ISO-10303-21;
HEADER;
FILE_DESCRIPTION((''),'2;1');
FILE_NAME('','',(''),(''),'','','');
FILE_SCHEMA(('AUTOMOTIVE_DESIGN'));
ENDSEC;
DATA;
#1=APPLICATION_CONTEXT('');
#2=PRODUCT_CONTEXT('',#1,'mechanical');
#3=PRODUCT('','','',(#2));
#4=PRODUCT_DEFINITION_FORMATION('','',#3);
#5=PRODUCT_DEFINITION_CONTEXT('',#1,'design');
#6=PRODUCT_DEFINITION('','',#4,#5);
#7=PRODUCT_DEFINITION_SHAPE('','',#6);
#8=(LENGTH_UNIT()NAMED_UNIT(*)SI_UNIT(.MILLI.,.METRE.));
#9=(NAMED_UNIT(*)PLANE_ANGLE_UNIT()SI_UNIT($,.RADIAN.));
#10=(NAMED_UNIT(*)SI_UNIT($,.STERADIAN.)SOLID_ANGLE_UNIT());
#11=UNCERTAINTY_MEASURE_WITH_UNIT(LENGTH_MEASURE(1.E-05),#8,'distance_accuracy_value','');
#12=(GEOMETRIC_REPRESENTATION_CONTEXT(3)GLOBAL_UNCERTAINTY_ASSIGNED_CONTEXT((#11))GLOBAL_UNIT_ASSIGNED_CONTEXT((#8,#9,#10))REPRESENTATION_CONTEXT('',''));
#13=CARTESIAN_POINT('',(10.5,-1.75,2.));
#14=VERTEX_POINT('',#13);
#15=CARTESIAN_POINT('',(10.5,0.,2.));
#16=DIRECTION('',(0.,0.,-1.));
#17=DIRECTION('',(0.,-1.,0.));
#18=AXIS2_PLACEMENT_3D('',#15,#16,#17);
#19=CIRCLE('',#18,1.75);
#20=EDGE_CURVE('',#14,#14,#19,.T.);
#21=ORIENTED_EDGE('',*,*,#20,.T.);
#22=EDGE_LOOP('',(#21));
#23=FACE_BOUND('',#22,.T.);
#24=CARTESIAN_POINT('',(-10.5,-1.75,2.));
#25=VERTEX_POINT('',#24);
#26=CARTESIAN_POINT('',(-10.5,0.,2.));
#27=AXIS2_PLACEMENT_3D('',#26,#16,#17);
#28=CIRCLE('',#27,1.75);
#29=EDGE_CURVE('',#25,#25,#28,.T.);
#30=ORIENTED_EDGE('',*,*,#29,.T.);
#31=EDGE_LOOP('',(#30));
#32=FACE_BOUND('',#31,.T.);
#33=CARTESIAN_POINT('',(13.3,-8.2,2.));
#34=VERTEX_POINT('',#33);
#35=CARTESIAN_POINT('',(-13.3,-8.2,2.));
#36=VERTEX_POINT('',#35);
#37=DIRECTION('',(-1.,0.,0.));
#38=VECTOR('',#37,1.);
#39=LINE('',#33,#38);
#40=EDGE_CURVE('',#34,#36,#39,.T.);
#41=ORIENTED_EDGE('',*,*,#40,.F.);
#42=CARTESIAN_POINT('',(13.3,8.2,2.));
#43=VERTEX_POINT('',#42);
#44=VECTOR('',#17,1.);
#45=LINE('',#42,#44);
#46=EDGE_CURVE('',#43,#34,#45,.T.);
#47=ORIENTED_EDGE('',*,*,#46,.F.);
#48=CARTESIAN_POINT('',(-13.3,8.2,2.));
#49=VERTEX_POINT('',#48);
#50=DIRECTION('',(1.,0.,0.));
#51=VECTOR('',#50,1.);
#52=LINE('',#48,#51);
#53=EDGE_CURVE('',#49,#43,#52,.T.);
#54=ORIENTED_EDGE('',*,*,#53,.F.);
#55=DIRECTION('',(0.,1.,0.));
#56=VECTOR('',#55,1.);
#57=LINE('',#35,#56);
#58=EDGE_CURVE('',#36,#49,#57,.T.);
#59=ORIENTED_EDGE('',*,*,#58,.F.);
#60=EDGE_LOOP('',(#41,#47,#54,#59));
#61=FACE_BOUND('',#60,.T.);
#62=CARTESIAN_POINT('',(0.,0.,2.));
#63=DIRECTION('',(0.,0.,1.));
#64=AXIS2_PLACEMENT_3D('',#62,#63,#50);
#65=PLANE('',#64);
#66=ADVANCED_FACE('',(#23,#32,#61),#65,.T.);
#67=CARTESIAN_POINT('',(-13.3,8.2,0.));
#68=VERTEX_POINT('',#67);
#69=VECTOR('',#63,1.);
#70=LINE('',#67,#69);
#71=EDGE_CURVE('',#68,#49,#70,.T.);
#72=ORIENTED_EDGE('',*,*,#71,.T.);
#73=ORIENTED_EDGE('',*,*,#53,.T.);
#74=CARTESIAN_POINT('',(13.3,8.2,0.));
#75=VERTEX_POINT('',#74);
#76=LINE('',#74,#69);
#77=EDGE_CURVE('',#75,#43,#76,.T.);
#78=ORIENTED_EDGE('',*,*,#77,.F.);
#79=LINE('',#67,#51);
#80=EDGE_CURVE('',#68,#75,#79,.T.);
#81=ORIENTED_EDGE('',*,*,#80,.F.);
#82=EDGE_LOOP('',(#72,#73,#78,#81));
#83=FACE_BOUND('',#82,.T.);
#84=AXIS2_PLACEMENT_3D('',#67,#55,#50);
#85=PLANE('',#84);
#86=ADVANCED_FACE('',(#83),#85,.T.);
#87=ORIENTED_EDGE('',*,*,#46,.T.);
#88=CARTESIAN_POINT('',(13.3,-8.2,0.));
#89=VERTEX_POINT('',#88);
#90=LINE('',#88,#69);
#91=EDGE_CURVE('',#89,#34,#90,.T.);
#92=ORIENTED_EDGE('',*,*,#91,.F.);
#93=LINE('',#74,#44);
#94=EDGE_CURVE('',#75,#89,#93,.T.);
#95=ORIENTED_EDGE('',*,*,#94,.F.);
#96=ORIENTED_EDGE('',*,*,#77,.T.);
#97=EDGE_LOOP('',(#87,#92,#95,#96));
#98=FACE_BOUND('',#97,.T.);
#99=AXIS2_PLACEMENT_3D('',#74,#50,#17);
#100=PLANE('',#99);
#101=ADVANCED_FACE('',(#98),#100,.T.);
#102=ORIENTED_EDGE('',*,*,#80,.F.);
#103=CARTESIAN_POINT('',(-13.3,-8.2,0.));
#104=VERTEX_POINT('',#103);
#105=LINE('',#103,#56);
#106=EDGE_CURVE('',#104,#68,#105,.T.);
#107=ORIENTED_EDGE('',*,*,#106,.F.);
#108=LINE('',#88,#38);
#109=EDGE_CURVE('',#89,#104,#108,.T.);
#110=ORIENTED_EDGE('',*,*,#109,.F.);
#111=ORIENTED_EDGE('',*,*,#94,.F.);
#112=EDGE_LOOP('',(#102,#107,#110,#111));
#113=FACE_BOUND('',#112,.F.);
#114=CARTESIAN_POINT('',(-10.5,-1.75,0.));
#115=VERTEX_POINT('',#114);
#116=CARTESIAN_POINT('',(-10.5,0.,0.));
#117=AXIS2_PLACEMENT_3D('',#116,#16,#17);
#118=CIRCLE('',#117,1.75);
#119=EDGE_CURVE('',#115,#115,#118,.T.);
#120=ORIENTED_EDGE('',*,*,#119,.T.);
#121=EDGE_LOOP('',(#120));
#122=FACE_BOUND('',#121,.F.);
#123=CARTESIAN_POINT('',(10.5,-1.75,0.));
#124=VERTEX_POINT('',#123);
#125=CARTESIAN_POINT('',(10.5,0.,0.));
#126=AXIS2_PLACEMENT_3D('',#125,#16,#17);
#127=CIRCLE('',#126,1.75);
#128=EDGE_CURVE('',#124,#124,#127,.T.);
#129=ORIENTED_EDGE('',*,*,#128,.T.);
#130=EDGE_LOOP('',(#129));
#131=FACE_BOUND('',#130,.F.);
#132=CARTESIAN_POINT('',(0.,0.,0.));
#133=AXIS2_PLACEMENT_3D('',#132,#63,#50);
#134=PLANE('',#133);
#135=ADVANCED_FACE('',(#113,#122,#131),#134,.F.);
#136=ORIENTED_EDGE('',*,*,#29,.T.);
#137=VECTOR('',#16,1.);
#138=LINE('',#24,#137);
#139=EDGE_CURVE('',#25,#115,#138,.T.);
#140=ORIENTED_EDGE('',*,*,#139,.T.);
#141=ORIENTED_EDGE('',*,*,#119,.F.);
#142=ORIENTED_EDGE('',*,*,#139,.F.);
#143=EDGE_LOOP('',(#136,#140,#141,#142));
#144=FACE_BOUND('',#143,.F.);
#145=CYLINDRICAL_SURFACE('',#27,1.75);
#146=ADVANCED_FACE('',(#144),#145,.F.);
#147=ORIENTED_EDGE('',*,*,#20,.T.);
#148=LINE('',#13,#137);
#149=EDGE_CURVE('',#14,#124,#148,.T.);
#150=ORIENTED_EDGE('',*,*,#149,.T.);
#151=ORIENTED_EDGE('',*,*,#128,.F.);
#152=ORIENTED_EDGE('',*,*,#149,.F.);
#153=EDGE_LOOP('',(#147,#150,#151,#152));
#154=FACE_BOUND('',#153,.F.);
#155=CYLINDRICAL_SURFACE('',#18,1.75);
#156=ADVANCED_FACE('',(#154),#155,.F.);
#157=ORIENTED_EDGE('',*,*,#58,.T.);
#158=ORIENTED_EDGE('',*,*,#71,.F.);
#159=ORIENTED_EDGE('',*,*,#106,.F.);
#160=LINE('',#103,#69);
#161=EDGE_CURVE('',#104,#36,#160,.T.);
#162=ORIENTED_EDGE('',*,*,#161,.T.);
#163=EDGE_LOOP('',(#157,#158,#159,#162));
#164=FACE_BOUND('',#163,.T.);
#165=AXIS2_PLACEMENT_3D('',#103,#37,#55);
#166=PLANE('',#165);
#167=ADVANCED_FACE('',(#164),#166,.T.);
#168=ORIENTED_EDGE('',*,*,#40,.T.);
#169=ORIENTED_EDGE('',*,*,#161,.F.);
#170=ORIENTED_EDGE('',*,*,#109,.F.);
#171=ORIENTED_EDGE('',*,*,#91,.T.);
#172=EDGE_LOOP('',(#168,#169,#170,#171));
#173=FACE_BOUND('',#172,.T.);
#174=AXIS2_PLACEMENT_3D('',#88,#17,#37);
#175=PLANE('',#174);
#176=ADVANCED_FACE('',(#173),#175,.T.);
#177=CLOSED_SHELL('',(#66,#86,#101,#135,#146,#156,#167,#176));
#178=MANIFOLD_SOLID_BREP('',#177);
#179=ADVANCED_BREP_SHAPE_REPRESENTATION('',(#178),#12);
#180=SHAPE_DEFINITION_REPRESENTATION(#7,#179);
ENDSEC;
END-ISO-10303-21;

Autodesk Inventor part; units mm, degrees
ref_plane "YZ Plane" through (0, 0, 0) normal (1, 0, 0) x (0, 1, 0)
ref_plane "XZ Plane" through (0, 0, 0) normal (0, 1, 0) x (-1, 0, 0)
ref_plane "XY Plane" through (0, 0, 0) normal (0, 0, 1) x (1, 0, 0)
sketch "Sketch1" plane through (0, 0, 0) normal (0, 0, 1) x (1, 0, 0)
  line L0 (-13.3, 8.2) -> (13.3, 8.2)
  line L1 (13.3, 8.2) -> (13.3, -8.2)
  line L2 (13.3, -8.2) -> (-13.3, -8.2)
  line L3 (-13.3, -8.2) -> (-13.3, 8.2)
  point P0 (0, 0)
  point P1 (-13.3, 0)
  point P2 (0, 8.2)
  dimension "d0" = 26.6
  dimension "d1" = 16.4
extrude "Extrusion1" add sketch "Sketch1" along normal blind 2
sketch "Sketch2" plane through (0, 0, 2) normal (0, 0, 1) x (1, 0, 0)
  circle A0 centre (-10.5, 0) radius 1.5
  circle A1 centre (10.5, 0) radius 1.5
  point P0 (0, 0)
  dimension "d4" = 3
  dimension "d5" = 21
  dimension "d6" = 10.5
hole "Hole1" at (10.5, 0, 2) direction (0, 0, -1) diameter 3.5 end through all
pattern_linear "Rectangular Pattern1" count 2 spacing 21 along (-1, 0, 0) of "Hole1"
equation "\"d6\" = 0.5 * d5"
equation "\"d16\" = d5"
properties part number "LogicLevelConverter" material "PET Plastic"
